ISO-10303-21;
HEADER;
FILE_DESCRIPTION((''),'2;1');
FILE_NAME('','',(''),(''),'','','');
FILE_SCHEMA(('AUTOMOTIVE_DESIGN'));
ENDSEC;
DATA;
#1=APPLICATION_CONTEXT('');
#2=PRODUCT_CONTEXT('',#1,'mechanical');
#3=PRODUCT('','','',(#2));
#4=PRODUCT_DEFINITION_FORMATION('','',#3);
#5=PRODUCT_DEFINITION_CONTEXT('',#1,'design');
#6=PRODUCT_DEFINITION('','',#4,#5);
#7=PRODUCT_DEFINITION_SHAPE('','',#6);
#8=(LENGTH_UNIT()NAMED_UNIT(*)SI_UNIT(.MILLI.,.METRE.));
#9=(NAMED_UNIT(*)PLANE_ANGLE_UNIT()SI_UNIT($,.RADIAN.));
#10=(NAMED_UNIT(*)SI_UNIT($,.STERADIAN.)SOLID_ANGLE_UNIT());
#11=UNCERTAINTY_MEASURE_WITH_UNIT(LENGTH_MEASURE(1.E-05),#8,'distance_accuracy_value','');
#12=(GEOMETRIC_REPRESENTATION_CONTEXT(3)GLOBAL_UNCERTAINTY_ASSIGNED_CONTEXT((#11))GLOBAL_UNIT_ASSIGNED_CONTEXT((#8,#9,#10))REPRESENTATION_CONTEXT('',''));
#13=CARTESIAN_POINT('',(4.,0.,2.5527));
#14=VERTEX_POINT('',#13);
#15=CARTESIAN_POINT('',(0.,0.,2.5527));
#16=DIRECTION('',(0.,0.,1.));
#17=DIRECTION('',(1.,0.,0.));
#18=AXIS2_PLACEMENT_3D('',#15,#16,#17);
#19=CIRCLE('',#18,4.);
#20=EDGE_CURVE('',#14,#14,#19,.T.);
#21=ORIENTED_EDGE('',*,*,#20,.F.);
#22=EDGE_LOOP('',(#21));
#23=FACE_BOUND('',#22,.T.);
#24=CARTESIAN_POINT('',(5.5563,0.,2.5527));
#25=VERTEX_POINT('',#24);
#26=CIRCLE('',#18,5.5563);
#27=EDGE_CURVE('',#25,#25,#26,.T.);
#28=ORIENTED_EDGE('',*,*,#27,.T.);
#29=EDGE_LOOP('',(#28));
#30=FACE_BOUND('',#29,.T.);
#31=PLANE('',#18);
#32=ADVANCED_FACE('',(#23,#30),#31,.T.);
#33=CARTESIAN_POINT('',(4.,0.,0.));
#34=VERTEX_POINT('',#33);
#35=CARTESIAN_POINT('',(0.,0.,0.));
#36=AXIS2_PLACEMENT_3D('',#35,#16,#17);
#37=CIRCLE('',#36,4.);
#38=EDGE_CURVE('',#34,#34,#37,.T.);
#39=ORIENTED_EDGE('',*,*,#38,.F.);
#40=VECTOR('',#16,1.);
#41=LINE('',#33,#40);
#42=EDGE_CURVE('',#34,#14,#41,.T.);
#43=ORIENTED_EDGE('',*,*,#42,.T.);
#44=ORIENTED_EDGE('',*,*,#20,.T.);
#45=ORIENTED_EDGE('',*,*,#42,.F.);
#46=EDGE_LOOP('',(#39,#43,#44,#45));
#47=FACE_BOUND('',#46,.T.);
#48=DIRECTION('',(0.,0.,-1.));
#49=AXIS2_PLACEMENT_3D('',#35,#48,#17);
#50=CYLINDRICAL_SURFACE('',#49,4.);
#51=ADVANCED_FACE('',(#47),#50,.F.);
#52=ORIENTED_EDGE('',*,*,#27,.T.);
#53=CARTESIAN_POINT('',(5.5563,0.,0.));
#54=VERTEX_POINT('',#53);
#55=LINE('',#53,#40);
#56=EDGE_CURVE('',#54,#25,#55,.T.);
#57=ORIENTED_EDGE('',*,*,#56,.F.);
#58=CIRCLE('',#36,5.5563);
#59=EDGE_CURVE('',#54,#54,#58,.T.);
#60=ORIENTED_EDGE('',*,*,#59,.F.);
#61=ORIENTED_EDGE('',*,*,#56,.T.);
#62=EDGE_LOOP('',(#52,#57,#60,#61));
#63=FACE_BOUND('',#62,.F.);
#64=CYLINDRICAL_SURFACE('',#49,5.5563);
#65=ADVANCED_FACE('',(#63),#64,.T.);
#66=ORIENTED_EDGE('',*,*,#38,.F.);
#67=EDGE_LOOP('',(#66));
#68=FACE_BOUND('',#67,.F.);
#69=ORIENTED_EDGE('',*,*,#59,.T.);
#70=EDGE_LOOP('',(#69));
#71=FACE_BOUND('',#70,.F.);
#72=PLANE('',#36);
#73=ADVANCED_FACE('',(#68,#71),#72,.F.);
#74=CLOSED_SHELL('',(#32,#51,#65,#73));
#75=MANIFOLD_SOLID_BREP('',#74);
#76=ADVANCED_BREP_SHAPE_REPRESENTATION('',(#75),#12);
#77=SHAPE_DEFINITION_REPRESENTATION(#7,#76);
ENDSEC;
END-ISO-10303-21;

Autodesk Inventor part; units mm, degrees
ref_plane "YZ Plane" through (0, 0, 0) normal (1, 0, 0) x (0, 1, 0)
ref_plane "XZ Plane" through (0, 0, 0) normal (0, 1, 0) x (-1, 0, 0)
ref_plane "XY Plane" through (0, 0, 0) normal (0, 0, 1) x (1, 0, 0)
sketch "Sketch1" plane through (0, 0, 0) normal (0, 0, 1) x (1, 0, 0)
  circle A0 centre (0, 0) radius 4
  circle A1 centre (0, 0) radius 5.5563
  dimension "d0" = 8
  dimension "d2" = 11.1125
extrude "Extrusion1" add sketch "Sketch1" along normal blind 2.5527
properties part number "Cim Spacer"
